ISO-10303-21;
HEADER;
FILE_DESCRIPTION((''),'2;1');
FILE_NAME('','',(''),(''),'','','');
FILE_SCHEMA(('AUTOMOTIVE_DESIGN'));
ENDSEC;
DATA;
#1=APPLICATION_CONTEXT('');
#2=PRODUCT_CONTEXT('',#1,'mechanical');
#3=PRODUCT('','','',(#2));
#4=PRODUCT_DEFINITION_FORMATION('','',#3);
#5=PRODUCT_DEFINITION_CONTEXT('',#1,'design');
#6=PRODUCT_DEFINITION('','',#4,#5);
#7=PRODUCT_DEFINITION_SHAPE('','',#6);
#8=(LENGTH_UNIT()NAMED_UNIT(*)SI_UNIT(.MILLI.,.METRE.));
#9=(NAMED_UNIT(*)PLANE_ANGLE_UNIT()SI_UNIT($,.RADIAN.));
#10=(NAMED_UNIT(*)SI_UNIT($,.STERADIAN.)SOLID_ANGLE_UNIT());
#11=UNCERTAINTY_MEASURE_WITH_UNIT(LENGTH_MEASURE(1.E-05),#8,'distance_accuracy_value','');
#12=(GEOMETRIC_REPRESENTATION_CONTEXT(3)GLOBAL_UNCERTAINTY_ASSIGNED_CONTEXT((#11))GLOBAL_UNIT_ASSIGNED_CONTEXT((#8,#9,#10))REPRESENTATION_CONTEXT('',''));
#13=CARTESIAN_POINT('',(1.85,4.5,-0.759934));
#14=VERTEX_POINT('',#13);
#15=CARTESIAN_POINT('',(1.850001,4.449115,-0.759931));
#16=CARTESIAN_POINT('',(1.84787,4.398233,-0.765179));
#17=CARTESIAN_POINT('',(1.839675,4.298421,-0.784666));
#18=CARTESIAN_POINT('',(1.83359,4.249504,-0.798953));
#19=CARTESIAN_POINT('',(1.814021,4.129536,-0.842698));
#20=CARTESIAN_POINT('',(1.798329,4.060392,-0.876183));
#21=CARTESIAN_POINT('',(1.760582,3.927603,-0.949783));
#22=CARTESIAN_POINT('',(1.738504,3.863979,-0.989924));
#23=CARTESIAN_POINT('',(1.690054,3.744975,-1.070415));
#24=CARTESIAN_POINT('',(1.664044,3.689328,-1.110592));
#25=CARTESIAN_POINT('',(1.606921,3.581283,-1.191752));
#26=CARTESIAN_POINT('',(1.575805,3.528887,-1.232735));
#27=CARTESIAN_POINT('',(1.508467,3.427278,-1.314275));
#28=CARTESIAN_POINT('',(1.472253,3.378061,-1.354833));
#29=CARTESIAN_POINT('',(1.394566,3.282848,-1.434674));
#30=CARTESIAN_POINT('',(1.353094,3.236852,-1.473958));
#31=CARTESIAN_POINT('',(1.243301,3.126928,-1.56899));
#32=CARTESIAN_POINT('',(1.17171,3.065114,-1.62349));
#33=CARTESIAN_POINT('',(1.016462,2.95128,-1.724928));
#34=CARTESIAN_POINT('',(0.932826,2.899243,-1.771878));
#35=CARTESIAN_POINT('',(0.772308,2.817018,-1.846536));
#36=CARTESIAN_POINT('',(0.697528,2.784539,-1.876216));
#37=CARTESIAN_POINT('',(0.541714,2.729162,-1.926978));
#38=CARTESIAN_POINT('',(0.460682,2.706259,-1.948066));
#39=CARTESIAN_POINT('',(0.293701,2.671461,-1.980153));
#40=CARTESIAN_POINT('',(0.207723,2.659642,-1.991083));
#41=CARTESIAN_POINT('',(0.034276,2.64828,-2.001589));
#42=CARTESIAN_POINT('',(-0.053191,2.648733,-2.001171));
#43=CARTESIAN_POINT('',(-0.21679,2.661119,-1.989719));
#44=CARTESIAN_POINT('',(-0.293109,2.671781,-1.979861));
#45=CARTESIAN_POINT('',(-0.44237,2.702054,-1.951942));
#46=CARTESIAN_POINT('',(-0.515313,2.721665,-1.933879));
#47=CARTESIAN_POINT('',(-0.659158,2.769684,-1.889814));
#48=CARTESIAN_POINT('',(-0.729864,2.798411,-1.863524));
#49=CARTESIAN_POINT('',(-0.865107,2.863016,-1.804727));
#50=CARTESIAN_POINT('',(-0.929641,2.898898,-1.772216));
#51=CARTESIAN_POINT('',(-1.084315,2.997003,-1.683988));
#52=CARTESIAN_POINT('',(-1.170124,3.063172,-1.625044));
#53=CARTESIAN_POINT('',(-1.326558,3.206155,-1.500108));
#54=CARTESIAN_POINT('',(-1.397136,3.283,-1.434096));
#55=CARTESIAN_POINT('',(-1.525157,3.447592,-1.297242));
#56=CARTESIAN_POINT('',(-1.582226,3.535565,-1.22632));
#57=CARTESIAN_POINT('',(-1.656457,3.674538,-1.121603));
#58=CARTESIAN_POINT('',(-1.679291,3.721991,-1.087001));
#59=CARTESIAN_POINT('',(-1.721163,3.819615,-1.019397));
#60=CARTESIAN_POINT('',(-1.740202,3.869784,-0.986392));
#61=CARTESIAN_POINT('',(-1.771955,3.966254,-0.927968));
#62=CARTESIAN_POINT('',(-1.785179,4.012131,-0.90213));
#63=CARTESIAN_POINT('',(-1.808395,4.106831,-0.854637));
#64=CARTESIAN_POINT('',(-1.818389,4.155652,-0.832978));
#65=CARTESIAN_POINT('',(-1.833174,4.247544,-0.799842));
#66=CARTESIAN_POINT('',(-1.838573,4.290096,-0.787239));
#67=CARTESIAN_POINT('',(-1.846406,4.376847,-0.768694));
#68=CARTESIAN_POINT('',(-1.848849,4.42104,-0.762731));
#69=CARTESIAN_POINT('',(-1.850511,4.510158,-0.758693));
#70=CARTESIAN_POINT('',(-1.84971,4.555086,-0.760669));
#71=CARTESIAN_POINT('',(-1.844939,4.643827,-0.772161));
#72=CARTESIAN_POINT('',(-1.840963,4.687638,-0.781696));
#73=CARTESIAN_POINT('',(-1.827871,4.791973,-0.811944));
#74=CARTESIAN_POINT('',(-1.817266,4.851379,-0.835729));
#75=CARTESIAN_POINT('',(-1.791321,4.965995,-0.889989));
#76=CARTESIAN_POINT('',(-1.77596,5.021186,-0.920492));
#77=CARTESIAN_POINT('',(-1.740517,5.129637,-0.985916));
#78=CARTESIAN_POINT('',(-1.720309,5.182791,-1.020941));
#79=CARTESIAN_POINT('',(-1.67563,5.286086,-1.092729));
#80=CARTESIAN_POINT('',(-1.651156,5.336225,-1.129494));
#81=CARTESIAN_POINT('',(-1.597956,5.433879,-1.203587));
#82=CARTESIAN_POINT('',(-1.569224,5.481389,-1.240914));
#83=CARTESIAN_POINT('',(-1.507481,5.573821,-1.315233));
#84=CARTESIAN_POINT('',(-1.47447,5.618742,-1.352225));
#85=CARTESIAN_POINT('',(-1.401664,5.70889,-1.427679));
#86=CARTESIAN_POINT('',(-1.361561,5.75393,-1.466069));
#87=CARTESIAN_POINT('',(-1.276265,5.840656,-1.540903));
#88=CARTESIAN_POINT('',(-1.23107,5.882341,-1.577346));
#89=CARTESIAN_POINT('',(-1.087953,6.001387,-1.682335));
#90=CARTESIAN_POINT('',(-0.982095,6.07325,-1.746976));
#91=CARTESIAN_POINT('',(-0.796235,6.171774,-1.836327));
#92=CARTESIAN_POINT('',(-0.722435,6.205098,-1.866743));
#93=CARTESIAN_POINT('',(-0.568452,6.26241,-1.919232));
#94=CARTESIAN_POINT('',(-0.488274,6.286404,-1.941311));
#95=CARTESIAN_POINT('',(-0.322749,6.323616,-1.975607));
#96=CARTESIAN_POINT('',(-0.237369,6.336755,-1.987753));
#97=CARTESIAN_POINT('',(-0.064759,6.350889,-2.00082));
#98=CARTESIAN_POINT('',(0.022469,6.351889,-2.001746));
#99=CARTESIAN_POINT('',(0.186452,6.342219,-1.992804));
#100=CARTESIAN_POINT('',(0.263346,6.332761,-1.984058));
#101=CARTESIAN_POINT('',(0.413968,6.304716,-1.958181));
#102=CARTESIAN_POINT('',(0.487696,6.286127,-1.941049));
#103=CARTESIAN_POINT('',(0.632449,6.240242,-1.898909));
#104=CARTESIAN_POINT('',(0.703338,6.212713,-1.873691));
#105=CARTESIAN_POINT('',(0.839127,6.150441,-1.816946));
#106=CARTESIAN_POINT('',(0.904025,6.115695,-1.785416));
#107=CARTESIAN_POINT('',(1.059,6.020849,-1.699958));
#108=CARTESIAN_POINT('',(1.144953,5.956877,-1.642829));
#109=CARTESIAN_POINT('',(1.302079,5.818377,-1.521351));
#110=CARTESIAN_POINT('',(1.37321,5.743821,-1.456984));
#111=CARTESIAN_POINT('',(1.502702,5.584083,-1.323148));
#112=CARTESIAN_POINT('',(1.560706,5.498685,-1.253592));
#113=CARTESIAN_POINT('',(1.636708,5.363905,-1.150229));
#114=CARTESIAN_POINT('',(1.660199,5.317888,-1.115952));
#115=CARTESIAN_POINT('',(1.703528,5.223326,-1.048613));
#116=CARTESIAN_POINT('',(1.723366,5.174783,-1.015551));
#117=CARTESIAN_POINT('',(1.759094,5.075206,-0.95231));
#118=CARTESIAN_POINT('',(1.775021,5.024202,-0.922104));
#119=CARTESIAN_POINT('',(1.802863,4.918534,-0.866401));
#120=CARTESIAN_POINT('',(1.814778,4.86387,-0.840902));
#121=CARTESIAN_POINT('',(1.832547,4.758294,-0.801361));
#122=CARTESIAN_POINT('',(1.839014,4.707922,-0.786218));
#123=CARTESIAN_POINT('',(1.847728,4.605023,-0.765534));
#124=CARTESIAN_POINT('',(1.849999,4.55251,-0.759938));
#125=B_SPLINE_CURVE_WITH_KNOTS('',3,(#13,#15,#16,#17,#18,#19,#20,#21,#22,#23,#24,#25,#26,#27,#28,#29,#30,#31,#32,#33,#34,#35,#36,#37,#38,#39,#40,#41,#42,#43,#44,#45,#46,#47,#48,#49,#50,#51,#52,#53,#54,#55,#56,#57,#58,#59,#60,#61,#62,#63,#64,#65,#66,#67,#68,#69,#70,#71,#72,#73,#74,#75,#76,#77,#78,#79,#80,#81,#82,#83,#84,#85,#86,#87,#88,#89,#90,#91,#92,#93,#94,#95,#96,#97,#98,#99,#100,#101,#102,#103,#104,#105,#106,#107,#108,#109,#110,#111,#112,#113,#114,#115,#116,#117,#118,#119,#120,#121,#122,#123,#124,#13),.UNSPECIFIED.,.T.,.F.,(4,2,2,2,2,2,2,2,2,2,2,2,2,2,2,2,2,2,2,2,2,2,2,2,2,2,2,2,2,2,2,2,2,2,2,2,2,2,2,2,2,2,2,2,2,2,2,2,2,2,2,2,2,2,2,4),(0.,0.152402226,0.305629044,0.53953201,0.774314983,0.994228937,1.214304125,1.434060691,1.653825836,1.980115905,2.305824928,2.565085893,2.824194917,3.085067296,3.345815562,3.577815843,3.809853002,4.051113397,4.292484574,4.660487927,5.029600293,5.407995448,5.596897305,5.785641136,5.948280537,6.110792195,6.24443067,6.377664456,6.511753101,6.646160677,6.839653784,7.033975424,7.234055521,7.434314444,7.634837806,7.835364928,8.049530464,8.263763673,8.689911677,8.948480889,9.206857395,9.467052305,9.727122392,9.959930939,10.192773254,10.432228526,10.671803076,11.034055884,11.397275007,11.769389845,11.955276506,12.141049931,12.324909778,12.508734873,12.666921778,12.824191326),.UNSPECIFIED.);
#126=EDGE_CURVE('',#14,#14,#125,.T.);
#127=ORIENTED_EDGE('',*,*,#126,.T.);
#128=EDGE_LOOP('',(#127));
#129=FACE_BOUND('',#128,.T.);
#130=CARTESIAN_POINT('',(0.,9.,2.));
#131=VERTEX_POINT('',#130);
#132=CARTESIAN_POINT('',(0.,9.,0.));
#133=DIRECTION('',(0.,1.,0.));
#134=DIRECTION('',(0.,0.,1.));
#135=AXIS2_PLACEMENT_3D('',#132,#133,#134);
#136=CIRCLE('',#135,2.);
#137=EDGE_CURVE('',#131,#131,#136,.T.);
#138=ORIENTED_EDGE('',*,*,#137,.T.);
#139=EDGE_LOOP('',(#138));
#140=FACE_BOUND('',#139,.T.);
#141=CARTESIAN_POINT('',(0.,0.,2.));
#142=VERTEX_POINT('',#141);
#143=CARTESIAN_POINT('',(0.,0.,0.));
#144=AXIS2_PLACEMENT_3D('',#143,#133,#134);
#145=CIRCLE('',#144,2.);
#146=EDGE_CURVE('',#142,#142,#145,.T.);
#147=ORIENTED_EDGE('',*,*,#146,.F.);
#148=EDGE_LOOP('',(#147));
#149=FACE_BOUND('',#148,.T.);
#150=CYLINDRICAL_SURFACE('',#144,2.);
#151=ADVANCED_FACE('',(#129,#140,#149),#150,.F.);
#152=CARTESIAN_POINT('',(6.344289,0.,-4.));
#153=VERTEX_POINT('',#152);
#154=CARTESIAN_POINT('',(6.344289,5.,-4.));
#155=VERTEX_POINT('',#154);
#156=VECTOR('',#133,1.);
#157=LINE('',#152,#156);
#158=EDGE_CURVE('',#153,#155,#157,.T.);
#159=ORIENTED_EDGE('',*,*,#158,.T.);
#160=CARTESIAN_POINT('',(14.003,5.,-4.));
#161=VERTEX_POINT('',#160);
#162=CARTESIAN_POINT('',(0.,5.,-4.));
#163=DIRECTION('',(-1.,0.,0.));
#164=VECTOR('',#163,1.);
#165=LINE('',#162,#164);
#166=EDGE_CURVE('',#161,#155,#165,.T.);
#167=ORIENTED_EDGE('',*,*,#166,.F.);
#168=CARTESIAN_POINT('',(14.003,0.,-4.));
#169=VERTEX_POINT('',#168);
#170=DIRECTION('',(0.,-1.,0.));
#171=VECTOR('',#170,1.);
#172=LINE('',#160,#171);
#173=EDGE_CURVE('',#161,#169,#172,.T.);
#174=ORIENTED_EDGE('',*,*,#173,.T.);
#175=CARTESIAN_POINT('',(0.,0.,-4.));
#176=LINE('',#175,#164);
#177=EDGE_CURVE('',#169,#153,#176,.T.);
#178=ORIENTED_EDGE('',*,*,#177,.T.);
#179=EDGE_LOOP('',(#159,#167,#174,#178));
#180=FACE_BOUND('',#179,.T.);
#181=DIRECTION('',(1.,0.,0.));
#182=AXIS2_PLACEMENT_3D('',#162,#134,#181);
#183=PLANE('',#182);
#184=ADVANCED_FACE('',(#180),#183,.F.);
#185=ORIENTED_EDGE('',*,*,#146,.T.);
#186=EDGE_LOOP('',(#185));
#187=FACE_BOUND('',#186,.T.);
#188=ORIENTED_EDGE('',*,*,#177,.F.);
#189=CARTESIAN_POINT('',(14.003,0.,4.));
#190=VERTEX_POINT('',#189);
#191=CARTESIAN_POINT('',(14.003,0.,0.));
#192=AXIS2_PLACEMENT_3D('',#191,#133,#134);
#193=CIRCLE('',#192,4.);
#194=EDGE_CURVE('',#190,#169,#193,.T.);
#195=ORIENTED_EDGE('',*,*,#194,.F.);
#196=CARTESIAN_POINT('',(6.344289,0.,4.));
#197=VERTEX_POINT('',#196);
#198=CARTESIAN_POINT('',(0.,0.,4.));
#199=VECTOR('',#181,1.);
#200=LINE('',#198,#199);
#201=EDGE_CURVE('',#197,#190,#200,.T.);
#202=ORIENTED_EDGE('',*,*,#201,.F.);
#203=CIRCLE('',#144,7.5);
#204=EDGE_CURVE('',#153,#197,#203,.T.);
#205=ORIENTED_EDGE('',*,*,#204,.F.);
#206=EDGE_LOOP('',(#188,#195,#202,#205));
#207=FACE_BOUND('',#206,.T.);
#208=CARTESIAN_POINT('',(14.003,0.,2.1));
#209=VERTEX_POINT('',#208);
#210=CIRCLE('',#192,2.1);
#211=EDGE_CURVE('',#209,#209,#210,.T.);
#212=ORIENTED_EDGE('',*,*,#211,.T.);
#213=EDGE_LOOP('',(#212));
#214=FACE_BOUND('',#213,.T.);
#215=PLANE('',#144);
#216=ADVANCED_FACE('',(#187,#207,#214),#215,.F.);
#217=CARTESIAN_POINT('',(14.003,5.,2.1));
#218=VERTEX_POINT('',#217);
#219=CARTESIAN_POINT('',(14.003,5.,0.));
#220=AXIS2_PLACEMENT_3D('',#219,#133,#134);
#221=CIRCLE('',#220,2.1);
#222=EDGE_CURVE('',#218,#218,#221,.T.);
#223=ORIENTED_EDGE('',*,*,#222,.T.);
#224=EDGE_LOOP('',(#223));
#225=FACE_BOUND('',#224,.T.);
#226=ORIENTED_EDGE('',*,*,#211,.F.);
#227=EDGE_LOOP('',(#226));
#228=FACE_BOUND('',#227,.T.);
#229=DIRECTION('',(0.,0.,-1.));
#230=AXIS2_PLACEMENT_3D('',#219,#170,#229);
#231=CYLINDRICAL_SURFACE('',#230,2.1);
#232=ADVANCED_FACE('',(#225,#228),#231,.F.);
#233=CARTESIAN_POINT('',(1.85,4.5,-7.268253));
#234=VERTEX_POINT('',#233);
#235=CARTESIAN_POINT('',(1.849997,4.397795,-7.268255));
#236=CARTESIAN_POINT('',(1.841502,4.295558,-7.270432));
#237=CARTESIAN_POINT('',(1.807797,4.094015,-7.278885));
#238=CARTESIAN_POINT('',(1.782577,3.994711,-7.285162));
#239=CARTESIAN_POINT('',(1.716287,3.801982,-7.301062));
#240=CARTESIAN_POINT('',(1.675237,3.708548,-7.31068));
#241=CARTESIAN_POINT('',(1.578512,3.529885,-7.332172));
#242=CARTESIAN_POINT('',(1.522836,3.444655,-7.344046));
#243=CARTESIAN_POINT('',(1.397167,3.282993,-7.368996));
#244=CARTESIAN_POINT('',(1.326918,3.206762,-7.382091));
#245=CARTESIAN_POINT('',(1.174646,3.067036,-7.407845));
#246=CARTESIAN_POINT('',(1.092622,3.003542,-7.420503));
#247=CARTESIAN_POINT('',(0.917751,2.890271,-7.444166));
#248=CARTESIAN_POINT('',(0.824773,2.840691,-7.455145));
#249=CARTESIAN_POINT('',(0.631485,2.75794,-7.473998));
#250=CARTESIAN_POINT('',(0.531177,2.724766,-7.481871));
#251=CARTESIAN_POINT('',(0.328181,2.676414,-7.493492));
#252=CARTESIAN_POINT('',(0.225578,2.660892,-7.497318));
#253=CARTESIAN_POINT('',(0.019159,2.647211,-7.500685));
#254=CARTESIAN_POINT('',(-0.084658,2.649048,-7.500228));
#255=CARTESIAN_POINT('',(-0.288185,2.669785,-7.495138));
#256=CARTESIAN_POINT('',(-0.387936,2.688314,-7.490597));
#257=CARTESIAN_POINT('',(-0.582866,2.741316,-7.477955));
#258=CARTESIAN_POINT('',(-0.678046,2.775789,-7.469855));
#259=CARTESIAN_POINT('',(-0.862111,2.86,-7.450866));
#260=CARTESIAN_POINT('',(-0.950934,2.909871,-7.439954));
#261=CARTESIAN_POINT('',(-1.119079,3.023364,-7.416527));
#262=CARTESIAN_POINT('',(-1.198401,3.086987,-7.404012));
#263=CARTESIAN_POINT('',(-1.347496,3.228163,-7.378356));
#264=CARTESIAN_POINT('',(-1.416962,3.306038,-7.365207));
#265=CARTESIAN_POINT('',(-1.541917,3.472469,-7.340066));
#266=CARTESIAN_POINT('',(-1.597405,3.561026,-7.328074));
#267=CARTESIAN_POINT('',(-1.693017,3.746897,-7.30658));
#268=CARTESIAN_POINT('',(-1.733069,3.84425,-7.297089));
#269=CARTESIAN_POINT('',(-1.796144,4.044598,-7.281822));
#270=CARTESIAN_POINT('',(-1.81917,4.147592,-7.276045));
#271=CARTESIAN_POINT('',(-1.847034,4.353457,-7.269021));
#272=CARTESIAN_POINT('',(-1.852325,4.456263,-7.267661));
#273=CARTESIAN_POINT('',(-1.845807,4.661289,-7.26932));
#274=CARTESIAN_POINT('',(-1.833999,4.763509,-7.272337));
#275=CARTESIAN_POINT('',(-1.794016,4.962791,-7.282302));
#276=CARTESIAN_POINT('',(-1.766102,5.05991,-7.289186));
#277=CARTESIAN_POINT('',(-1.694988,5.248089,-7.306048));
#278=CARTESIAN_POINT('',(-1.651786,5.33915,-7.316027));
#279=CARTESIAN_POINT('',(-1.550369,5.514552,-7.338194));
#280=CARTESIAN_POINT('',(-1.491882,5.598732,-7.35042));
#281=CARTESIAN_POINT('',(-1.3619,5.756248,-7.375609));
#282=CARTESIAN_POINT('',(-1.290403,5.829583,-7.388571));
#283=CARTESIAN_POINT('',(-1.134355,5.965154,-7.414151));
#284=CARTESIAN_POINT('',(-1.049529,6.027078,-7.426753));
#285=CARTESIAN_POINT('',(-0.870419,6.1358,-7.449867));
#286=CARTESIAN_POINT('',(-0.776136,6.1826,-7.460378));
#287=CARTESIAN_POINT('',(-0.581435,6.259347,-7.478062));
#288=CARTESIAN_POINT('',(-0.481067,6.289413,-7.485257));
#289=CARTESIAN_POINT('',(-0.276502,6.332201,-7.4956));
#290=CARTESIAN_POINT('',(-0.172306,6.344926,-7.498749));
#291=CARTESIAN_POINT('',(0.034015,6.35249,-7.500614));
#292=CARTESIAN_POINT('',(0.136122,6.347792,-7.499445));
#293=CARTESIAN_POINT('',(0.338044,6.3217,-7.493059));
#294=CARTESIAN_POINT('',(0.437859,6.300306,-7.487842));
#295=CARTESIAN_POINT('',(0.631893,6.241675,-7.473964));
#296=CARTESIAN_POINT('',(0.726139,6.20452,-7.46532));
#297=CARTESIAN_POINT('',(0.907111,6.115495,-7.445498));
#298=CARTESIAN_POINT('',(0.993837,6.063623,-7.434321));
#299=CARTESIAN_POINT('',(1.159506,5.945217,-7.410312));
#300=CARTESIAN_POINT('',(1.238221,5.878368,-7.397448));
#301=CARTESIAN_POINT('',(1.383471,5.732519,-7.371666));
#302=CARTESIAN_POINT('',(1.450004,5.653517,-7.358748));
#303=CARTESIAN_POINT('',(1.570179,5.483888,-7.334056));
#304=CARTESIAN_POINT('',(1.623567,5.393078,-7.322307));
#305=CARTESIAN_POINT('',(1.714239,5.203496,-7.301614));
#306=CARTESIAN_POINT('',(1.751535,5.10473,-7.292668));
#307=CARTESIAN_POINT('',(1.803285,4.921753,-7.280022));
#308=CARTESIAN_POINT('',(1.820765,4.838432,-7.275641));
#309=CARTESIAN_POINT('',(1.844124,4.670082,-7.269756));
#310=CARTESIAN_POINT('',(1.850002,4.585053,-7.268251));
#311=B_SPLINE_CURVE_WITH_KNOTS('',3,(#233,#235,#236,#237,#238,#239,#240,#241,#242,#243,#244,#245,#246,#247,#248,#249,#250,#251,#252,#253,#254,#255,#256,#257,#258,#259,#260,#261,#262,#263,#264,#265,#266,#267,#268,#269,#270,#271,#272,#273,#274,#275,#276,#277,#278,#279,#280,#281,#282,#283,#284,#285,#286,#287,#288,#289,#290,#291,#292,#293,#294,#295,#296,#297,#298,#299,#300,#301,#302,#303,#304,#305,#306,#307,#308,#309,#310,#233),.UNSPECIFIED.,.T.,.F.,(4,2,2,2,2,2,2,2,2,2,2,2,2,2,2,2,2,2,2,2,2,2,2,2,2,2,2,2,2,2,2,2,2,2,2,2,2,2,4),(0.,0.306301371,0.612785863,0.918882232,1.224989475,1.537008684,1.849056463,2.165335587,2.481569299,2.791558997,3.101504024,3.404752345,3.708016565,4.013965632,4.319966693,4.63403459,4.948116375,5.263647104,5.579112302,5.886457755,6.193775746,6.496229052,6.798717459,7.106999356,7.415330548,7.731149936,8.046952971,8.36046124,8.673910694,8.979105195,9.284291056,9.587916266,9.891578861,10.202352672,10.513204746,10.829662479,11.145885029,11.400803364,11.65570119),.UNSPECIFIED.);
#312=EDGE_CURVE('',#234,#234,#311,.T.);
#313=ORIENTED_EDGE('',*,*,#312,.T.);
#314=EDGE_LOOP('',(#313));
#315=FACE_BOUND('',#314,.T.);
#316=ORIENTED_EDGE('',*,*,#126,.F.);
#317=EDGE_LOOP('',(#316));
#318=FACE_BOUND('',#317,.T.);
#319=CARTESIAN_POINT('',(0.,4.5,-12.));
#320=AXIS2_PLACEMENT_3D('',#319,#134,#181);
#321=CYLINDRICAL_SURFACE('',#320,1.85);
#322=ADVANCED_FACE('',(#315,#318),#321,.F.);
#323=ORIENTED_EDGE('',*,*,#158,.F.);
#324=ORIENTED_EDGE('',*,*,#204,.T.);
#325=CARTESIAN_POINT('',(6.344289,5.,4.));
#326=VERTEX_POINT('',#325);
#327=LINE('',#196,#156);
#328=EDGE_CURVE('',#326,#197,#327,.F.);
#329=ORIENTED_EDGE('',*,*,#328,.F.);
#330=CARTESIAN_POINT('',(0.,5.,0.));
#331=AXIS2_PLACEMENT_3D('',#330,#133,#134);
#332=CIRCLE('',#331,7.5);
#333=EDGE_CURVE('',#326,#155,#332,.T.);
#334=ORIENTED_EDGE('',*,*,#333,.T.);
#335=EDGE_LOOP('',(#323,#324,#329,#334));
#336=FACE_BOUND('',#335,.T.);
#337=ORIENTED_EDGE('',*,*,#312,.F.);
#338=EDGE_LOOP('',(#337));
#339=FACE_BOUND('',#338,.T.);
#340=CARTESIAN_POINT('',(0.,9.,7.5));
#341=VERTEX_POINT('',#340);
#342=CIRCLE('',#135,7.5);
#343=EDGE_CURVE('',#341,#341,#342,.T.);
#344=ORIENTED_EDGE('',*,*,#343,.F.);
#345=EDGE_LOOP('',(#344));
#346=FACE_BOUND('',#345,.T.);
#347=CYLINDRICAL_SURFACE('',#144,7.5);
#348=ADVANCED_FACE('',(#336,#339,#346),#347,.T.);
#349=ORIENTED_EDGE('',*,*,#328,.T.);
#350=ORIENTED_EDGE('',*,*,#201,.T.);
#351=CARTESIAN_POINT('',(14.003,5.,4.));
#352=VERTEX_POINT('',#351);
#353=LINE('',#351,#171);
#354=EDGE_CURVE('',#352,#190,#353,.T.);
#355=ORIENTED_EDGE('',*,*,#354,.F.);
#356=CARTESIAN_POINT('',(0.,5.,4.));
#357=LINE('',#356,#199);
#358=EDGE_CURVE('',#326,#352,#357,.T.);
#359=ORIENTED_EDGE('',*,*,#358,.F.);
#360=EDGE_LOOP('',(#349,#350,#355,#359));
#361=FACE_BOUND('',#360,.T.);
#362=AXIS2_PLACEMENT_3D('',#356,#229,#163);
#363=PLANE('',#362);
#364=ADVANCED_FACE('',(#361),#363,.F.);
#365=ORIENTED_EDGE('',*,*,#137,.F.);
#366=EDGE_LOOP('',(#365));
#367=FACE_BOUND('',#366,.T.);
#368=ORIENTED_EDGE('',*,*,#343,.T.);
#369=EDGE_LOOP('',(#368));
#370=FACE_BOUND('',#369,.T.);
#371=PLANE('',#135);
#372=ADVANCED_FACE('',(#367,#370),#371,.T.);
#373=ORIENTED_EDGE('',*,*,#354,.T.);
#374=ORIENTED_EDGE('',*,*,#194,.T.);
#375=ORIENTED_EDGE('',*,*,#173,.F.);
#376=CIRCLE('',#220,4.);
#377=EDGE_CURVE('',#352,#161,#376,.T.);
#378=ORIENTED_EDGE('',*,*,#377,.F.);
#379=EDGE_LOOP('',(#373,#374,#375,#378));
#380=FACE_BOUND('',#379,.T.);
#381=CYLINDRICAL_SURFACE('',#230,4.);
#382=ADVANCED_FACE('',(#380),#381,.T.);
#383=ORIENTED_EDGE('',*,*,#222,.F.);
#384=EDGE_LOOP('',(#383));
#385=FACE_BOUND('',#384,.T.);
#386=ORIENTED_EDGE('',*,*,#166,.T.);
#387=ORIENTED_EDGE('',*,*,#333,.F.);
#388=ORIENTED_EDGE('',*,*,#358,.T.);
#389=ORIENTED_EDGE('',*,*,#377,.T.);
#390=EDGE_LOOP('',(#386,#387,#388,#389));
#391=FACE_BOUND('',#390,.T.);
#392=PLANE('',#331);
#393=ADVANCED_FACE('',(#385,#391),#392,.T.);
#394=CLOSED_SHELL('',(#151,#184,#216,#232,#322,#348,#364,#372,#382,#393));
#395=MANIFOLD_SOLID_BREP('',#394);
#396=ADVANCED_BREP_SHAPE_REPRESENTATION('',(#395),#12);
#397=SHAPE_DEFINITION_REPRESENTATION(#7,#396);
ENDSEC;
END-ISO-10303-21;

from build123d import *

# Parameters (mm, degrees)
SKETCH_1_R           = 2.1
EXTRUDE_1_DEPTH      = 5
SKETCH_2_R           = 7.5
SKETCH_2_R_2         = 2
EXTRUDE_2_DEPTH      = 4
EXTRUDE_2_DEPTH_BACK = 5
SKETCH_3_R           = 1.85
CUT_EXTRUDE_1_DEPTH  = 12


with BuildPart() as part:
    # 草图1 → 凸台-拉伸1 (new body)
    with BuildSketch(Plane(origin=(0, 0, 0), x_dir=(1, 0, 0), z_dir=(0, 1, 0))):
        with BuildLine():
            Line((0, 4), (14.003, 4))
            ThreePointArc((14.003, 4), (18.003, 0), (14.003, -4))
            Line((14.003, -4), (0, -4))
            ThreePointArc((0, -4), (-4, 0), (0, 4))
        make_face()
        Circle(SKETCH_1_R, mode=Mode.SUBTRACT)
        with Locations((14.003, 0)):
            Circle(SKETCH_1_R, mode=Mode.SUBTRACT)
    extrude(amount=EXTRUDE_1_DEPTH)

    # 草图2 → 凸台-拉伸2 (add, two sides)
    with BuildSketch(Plane(origin=(0, 5, 0), x_dir=(1, 0, 0), z_dir=(0, 1, 0))) as extrude_2_sk:
        Circle(SKETCH_2_R)
        Circle(SKETCH_2_R_2, mode=Mode.SUBTRACT)
    extrude(amount=EXTRUDE_2_DEPTH)
    extrude(extrude_2_sk.sketch, amount=-EXTRUDE_2_DEPTH_BACK)

    # 草图3 → 切除-拉伸1 (cut)
    with BuildSketch(Plane.XY):
        with Locations((0, 4.5)):
            Circle(SKETCH_3_R)
    extrude(amount=-CUT_EXTRUDE_1_DEPTH, mode=Mode.SUBTRACT)


solid = part.part
